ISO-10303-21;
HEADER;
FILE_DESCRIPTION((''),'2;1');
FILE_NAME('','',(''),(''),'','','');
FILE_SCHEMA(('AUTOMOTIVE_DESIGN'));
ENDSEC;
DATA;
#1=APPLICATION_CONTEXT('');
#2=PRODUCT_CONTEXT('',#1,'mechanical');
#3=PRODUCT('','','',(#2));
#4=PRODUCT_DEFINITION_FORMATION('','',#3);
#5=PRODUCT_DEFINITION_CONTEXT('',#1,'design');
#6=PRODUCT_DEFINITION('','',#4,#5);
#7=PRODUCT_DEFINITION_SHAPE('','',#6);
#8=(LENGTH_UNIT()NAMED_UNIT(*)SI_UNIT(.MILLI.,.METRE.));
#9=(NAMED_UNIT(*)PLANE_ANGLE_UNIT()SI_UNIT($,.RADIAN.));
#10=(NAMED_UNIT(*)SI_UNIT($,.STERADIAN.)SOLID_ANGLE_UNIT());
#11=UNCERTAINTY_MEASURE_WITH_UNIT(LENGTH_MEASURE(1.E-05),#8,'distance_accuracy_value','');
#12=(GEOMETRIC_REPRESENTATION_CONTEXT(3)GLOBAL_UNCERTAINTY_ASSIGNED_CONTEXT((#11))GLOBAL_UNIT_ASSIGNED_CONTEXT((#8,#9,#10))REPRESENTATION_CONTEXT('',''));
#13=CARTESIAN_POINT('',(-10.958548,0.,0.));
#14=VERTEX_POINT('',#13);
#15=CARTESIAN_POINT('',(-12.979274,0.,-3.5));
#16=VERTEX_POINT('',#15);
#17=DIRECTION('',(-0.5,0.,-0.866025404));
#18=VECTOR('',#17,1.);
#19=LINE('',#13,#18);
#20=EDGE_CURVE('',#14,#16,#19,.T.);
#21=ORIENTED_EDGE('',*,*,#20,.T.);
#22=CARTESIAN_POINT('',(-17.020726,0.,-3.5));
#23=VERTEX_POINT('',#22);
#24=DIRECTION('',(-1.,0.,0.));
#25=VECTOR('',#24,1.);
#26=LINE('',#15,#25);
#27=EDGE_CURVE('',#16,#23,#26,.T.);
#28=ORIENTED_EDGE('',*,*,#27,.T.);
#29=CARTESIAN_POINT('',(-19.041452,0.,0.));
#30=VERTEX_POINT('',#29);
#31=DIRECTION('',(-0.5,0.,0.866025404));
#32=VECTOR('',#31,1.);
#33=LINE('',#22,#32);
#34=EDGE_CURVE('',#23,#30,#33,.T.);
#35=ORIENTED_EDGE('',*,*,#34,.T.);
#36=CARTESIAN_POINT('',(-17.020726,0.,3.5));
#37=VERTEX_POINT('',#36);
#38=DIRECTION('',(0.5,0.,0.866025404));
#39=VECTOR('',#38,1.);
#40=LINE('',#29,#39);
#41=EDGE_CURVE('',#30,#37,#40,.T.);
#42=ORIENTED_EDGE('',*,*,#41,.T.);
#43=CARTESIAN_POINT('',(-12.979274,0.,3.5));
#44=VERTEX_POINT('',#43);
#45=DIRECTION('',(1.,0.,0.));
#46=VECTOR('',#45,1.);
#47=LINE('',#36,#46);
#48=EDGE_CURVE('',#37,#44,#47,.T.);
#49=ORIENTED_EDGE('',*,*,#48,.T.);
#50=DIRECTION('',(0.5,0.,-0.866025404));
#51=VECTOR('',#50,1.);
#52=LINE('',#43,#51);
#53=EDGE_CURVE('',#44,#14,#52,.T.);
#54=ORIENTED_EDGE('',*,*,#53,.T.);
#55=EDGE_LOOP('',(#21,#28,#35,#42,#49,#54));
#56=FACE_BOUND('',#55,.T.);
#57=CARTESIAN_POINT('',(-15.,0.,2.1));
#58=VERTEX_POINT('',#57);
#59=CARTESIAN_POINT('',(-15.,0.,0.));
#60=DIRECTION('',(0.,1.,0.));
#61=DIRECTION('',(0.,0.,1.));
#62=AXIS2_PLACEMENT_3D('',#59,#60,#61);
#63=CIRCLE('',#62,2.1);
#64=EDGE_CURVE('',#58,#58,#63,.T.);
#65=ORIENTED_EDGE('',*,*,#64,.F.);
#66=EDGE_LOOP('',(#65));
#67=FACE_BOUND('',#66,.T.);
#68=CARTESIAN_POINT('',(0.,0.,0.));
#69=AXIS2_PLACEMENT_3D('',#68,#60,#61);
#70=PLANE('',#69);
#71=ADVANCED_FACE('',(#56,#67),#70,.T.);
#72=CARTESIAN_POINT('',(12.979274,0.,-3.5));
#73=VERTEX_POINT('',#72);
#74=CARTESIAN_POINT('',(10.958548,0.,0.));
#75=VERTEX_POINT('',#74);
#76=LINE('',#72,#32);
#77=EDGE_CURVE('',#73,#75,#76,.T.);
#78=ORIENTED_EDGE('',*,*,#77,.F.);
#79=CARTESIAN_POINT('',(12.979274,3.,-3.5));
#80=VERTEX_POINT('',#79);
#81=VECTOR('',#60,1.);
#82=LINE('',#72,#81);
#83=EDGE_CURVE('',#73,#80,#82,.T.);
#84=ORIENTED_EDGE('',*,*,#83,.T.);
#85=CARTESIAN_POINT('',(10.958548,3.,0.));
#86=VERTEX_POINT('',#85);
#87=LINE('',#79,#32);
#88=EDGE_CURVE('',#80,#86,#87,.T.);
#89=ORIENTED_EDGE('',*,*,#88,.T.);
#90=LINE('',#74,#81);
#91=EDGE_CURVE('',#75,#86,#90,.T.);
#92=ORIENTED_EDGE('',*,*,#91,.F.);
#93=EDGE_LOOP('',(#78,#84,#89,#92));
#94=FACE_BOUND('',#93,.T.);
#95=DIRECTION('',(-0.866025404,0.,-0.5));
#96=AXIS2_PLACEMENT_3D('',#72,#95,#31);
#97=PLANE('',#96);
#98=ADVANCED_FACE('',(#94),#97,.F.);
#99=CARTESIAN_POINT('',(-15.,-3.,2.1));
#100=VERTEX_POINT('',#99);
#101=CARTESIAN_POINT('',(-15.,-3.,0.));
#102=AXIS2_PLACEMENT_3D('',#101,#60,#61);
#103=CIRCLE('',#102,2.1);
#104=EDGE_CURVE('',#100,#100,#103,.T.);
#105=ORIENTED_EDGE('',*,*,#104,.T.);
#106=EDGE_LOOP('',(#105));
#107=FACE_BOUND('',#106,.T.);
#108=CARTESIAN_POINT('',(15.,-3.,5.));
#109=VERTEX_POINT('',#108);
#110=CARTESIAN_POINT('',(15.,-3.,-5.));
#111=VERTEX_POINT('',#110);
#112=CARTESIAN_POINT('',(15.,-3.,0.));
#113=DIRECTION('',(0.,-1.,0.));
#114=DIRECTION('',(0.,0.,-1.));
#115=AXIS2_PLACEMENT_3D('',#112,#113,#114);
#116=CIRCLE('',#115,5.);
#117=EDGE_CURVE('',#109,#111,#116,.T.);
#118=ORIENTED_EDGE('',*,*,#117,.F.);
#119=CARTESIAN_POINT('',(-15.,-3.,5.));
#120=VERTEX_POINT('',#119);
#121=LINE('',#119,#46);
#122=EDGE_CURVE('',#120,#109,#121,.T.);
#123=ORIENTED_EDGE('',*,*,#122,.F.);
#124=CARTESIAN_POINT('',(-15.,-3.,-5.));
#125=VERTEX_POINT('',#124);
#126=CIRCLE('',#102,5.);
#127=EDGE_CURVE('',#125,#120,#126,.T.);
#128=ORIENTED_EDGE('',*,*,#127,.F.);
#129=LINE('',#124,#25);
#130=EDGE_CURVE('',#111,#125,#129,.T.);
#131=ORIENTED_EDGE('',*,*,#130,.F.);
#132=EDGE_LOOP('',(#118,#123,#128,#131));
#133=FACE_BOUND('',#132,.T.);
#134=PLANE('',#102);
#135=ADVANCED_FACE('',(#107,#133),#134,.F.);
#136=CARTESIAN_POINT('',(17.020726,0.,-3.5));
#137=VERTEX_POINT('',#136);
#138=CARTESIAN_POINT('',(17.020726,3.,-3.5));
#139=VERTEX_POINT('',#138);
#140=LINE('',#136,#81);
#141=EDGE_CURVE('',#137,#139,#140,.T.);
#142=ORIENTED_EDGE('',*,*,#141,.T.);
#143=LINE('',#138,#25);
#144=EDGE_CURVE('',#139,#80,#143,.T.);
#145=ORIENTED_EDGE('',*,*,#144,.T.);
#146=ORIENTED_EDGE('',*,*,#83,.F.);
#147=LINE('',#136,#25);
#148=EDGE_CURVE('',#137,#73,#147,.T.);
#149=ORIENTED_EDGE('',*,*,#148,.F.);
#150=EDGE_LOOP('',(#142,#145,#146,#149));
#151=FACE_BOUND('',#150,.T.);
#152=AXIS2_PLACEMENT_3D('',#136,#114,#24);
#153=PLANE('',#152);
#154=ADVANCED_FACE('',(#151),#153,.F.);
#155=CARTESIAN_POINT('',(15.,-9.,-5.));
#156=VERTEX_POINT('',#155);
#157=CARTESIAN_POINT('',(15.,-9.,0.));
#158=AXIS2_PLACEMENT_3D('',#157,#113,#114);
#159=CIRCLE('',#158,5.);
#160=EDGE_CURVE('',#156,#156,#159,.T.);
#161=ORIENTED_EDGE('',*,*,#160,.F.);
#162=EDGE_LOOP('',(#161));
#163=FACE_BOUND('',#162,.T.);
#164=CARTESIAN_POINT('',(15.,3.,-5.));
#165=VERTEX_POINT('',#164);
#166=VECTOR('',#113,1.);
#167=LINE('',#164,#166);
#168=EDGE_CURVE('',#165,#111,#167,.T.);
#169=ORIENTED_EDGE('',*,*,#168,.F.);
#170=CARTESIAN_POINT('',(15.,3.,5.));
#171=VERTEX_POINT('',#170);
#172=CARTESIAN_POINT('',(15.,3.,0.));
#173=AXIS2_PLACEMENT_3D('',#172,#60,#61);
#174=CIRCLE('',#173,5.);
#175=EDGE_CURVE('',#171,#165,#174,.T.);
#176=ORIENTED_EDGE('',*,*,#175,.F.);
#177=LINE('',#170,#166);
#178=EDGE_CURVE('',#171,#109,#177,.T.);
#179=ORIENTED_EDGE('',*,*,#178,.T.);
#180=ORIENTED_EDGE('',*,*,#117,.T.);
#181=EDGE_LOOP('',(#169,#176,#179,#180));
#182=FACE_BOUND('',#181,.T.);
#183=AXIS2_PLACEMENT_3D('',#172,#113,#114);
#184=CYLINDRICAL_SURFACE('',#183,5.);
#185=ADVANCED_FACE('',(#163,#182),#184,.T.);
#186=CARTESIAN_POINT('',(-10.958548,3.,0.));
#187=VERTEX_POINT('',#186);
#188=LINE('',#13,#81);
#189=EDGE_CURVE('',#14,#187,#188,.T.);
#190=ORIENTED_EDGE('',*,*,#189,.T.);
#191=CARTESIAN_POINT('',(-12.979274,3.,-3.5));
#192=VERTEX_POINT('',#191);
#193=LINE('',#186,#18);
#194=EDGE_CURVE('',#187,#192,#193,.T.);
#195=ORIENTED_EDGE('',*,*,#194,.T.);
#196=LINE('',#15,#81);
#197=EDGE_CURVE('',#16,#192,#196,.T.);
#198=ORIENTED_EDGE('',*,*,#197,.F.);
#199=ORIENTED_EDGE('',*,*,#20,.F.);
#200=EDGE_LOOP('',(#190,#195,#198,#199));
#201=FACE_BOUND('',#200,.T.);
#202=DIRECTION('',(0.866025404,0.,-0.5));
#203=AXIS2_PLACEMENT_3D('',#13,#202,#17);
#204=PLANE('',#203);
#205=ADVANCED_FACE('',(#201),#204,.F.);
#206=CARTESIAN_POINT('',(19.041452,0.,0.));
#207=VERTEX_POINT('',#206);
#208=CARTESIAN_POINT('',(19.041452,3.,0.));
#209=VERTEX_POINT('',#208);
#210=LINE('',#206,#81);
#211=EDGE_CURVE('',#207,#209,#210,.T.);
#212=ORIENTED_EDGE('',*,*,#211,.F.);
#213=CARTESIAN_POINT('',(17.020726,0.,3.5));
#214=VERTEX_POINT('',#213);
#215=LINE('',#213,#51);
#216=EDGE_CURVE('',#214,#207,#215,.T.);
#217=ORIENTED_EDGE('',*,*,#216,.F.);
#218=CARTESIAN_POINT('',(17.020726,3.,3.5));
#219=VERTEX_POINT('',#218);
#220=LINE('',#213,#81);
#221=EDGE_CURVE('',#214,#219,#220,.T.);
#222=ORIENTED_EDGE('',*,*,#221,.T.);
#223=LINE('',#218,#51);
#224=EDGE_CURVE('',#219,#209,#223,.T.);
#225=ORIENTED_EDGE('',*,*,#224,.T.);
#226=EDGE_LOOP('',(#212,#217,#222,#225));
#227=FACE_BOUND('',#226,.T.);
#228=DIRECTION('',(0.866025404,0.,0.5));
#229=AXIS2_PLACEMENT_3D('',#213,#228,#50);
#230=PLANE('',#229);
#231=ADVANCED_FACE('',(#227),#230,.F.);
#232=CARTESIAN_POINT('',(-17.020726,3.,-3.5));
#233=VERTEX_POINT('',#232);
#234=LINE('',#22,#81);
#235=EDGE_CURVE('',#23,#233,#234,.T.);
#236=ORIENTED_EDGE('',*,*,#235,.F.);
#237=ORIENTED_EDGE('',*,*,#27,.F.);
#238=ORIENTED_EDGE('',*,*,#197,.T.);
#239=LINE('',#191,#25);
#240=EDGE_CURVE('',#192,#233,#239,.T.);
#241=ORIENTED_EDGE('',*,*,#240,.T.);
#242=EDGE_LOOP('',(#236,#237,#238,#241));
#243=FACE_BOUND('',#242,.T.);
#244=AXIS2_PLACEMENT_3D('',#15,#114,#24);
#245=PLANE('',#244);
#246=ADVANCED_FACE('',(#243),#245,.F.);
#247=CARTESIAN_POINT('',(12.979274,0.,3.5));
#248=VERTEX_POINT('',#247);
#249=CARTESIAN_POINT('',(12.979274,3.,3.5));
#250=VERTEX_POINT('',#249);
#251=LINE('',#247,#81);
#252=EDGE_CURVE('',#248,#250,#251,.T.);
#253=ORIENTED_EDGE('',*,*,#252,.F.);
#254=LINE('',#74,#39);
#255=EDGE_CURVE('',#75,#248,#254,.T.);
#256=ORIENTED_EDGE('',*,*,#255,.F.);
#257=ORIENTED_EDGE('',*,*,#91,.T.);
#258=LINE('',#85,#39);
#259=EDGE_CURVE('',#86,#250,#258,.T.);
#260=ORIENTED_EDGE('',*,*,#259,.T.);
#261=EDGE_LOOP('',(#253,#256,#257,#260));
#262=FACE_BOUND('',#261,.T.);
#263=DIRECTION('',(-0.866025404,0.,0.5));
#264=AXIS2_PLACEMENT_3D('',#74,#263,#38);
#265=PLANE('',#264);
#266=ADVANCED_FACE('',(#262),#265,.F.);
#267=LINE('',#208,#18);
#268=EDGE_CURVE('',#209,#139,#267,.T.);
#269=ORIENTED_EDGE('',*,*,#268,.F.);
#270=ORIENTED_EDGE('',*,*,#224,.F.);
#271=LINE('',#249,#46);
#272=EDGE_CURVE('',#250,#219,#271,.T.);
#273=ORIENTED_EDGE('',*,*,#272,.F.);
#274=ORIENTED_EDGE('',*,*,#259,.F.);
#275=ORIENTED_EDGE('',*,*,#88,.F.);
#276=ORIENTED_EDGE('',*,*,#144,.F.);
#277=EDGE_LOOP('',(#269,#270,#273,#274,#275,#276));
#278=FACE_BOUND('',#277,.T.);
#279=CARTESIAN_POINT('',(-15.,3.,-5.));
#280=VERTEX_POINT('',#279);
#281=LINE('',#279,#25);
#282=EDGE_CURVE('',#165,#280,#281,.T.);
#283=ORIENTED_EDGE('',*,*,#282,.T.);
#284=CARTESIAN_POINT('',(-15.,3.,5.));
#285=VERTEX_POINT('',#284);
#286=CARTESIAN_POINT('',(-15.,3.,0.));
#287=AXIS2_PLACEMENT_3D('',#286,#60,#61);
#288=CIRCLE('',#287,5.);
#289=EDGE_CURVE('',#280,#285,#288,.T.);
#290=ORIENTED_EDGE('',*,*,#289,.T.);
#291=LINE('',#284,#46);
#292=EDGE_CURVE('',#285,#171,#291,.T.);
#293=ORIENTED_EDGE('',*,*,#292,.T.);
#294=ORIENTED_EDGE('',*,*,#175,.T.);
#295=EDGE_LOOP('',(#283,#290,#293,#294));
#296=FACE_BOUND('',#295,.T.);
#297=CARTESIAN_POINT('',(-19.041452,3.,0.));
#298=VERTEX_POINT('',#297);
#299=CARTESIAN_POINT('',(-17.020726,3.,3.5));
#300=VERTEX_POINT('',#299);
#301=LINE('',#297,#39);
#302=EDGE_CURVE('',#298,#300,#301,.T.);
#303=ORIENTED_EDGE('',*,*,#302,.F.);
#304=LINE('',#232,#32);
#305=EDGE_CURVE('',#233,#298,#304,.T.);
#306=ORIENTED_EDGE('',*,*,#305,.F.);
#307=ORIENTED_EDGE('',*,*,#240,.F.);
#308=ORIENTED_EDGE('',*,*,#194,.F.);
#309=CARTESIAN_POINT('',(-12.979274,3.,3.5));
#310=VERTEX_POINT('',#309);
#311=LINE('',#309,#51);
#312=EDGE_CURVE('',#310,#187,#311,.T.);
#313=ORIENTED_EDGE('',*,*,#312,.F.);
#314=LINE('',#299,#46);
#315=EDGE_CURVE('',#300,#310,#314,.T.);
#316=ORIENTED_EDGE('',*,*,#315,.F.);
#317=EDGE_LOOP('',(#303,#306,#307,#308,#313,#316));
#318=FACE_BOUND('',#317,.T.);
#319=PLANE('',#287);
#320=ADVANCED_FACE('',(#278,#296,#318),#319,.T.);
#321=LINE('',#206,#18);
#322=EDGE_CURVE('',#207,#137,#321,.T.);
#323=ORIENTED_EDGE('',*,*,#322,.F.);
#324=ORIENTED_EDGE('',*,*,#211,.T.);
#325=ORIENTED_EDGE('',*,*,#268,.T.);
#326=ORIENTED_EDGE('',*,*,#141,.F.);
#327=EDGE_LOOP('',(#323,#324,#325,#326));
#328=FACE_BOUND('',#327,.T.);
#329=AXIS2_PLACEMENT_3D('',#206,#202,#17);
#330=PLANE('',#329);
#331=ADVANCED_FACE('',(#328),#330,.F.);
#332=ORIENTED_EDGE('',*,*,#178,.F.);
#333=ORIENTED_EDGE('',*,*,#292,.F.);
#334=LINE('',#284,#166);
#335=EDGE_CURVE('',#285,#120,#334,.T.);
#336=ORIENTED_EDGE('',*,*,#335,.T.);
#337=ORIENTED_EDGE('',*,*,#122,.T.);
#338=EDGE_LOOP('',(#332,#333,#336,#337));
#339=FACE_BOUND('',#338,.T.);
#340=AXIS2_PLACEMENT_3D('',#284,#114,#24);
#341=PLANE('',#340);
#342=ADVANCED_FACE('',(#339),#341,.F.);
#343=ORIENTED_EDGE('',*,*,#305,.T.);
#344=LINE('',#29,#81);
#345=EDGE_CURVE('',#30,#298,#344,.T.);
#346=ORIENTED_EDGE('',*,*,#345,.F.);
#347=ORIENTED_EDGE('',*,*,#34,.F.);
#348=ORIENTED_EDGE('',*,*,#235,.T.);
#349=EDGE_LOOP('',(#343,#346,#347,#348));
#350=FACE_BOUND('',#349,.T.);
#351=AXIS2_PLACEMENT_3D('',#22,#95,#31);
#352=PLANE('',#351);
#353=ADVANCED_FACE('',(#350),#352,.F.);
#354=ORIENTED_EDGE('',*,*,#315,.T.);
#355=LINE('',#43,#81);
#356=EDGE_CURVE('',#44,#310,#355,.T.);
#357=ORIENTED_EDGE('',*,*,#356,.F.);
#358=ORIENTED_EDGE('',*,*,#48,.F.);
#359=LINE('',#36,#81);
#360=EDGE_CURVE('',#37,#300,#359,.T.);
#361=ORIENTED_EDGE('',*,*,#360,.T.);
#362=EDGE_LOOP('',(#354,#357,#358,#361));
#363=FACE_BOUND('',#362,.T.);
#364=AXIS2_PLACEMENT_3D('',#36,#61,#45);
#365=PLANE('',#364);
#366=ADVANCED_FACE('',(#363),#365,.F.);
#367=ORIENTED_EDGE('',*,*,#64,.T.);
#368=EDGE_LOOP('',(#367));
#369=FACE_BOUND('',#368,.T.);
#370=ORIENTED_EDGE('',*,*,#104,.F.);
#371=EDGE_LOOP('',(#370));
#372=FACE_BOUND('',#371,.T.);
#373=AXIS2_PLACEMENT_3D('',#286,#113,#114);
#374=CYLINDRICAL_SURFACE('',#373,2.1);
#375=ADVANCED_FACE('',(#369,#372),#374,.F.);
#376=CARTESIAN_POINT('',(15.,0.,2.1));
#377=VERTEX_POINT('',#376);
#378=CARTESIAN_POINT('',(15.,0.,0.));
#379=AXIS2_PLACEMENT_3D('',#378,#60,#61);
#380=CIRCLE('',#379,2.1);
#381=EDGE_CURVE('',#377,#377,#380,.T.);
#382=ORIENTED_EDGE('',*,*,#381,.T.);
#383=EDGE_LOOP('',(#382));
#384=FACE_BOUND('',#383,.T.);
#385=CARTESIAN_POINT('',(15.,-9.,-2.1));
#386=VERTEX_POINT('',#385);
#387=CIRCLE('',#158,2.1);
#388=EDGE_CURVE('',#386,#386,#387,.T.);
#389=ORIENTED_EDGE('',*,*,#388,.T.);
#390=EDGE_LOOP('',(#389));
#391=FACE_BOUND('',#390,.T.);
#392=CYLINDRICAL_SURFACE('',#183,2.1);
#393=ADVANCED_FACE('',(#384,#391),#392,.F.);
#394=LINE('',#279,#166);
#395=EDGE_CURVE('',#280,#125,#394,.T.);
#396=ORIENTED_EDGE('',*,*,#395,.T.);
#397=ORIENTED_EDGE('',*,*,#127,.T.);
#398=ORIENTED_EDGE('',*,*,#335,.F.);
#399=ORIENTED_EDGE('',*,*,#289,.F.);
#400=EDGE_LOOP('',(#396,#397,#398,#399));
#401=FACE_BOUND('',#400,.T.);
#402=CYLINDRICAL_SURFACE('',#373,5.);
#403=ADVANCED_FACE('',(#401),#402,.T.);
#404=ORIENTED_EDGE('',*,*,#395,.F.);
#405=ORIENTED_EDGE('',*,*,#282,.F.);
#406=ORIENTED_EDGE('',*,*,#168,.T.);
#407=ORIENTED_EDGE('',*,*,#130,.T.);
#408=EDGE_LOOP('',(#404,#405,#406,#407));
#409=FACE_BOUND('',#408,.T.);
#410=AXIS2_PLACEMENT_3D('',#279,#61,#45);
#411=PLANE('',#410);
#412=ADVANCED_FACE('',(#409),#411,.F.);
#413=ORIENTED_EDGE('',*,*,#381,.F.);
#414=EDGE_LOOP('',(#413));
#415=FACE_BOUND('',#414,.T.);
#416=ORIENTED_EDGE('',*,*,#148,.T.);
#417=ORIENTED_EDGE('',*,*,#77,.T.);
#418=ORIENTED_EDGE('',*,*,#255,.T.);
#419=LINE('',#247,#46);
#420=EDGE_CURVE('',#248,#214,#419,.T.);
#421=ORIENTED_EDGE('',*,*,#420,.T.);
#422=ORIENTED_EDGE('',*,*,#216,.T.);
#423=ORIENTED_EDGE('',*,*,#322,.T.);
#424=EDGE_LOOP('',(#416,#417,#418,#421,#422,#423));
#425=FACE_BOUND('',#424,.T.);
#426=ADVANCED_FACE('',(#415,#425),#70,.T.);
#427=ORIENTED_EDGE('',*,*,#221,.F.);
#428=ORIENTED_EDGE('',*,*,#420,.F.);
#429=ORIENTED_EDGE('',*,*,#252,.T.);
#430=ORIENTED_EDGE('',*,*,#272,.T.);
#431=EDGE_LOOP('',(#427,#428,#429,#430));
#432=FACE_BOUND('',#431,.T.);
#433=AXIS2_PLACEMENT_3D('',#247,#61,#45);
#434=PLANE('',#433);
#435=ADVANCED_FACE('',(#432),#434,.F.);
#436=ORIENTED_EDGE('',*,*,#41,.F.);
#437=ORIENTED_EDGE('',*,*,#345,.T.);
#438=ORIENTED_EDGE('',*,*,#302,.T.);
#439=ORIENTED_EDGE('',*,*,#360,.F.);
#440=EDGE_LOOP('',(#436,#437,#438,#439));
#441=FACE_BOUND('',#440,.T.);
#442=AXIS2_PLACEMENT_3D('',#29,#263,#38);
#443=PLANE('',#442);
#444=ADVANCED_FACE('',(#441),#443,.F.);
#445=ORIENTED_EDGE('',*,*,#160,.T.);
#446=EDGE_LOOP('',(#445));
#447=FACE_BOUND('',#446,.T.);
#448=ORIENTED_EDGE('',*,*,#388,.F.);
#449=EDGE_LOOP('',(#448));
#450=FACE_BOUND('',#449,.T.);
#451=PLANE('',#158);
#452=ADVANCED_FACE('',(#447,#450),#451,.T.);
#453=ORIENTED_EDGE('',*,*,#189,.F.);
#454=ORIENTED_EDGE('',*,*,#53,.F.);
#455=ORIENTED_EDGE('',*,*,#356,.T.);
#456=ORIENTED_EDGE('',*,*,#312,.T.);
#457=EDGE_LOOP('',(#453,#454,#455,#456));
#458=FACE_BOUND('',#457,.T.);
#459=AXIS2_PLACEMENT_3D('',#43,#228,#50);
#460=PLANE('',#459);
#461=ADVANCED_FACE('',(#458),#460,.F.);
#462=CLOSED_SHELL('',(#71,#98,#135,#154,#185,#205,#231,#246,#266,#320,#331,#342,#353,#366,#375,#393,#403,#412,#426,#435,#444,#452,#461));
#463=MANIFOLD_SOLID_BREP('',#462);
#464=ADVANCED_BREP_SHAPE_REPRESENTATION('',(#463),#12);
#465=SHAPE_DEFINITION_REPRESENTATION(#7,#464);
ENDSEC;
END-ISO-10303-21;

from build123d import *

# Parameters (mm, degrees)
SKETCH1_R           = 2.1
BOSS_EXTRUDE1_DEPTH = 3
CUT_EXTRUDE1_DEPTH  = 3
SKETCH3_R           = 5
SKETCH3_R_2         = 2.1
BOSS_EXTRUDE2_DEPTH = 6


with BuildPart() as part:
    # Sketch1 → Boss-Extrude1 (new, symmetric)
    with BuildSketch(Plane(origin=(0, 0, 0), x_dir=(1, 0, 0), z_dir=(0, 1, 0))):
        with BuildLine():
            Line((-15, 5), (15, 5))
            ThreePointArc((15, 5), (20, 0), (15, -5))
            Line((15, -5), (-15, -5))
            ThreePointArc((-15, -5), (-20, 0), (-15, 5))
        make_face()
        with Locations(Location((15, 0, 0), (0, 0, 270))):
            Circle(SKETCH1_R, mode=Mode.SUBTRACT)
        with Locations(Location((-15, 0, 0), (0, 0, 270))):
            Circle(SKETCH1_R, mode=Mode.SUBTRACT)
    extrude(amount=BOSS_EXTRUDE1_DEPTH, both=True)

    # Sketch2 → Cut-Extrude1 (cut)
    with BuildSketch(Plane(origin=(0, 3, 0), x_dir=(1, 0, 0), z_dir=(0, 1, 0))):
        Polygon((-10.958548116, 0), (-12.979274058, 3.5), (-17.020725942, 3.5), (-19.041451884, 0), (-17.020725942, -3.5), (-12.979274058, -3.5), align=None)
        Polygon((10.958548116, 0), (12.979274058, -3.5), (17.020725942, -3.5), (19.041451884, 0), (17.020725942, 3.5), (12.979274058, 3.5), align=None)
    extrude(amount=-CUT_EXTRUDE1_DEPTH, mode=Mode.SUBTRACT)

    # Sketch3 → Boss-Extrude2 (add)
    with BuildSketch(Plane.XZ.offset(3)):
        with Locations(Location((15, 0, 0), (0, 0, 270))):
            Circle(SKETCH3_R)
        with Locations(Location((15, 0, 0), (0, 0, 270))):
            Circle(SKETCH3_R_2, mode=Mode.SUBTRACT)
    extrude(amount=BOSS_EXTRUDE2_DEPTH)


solid = part.part
